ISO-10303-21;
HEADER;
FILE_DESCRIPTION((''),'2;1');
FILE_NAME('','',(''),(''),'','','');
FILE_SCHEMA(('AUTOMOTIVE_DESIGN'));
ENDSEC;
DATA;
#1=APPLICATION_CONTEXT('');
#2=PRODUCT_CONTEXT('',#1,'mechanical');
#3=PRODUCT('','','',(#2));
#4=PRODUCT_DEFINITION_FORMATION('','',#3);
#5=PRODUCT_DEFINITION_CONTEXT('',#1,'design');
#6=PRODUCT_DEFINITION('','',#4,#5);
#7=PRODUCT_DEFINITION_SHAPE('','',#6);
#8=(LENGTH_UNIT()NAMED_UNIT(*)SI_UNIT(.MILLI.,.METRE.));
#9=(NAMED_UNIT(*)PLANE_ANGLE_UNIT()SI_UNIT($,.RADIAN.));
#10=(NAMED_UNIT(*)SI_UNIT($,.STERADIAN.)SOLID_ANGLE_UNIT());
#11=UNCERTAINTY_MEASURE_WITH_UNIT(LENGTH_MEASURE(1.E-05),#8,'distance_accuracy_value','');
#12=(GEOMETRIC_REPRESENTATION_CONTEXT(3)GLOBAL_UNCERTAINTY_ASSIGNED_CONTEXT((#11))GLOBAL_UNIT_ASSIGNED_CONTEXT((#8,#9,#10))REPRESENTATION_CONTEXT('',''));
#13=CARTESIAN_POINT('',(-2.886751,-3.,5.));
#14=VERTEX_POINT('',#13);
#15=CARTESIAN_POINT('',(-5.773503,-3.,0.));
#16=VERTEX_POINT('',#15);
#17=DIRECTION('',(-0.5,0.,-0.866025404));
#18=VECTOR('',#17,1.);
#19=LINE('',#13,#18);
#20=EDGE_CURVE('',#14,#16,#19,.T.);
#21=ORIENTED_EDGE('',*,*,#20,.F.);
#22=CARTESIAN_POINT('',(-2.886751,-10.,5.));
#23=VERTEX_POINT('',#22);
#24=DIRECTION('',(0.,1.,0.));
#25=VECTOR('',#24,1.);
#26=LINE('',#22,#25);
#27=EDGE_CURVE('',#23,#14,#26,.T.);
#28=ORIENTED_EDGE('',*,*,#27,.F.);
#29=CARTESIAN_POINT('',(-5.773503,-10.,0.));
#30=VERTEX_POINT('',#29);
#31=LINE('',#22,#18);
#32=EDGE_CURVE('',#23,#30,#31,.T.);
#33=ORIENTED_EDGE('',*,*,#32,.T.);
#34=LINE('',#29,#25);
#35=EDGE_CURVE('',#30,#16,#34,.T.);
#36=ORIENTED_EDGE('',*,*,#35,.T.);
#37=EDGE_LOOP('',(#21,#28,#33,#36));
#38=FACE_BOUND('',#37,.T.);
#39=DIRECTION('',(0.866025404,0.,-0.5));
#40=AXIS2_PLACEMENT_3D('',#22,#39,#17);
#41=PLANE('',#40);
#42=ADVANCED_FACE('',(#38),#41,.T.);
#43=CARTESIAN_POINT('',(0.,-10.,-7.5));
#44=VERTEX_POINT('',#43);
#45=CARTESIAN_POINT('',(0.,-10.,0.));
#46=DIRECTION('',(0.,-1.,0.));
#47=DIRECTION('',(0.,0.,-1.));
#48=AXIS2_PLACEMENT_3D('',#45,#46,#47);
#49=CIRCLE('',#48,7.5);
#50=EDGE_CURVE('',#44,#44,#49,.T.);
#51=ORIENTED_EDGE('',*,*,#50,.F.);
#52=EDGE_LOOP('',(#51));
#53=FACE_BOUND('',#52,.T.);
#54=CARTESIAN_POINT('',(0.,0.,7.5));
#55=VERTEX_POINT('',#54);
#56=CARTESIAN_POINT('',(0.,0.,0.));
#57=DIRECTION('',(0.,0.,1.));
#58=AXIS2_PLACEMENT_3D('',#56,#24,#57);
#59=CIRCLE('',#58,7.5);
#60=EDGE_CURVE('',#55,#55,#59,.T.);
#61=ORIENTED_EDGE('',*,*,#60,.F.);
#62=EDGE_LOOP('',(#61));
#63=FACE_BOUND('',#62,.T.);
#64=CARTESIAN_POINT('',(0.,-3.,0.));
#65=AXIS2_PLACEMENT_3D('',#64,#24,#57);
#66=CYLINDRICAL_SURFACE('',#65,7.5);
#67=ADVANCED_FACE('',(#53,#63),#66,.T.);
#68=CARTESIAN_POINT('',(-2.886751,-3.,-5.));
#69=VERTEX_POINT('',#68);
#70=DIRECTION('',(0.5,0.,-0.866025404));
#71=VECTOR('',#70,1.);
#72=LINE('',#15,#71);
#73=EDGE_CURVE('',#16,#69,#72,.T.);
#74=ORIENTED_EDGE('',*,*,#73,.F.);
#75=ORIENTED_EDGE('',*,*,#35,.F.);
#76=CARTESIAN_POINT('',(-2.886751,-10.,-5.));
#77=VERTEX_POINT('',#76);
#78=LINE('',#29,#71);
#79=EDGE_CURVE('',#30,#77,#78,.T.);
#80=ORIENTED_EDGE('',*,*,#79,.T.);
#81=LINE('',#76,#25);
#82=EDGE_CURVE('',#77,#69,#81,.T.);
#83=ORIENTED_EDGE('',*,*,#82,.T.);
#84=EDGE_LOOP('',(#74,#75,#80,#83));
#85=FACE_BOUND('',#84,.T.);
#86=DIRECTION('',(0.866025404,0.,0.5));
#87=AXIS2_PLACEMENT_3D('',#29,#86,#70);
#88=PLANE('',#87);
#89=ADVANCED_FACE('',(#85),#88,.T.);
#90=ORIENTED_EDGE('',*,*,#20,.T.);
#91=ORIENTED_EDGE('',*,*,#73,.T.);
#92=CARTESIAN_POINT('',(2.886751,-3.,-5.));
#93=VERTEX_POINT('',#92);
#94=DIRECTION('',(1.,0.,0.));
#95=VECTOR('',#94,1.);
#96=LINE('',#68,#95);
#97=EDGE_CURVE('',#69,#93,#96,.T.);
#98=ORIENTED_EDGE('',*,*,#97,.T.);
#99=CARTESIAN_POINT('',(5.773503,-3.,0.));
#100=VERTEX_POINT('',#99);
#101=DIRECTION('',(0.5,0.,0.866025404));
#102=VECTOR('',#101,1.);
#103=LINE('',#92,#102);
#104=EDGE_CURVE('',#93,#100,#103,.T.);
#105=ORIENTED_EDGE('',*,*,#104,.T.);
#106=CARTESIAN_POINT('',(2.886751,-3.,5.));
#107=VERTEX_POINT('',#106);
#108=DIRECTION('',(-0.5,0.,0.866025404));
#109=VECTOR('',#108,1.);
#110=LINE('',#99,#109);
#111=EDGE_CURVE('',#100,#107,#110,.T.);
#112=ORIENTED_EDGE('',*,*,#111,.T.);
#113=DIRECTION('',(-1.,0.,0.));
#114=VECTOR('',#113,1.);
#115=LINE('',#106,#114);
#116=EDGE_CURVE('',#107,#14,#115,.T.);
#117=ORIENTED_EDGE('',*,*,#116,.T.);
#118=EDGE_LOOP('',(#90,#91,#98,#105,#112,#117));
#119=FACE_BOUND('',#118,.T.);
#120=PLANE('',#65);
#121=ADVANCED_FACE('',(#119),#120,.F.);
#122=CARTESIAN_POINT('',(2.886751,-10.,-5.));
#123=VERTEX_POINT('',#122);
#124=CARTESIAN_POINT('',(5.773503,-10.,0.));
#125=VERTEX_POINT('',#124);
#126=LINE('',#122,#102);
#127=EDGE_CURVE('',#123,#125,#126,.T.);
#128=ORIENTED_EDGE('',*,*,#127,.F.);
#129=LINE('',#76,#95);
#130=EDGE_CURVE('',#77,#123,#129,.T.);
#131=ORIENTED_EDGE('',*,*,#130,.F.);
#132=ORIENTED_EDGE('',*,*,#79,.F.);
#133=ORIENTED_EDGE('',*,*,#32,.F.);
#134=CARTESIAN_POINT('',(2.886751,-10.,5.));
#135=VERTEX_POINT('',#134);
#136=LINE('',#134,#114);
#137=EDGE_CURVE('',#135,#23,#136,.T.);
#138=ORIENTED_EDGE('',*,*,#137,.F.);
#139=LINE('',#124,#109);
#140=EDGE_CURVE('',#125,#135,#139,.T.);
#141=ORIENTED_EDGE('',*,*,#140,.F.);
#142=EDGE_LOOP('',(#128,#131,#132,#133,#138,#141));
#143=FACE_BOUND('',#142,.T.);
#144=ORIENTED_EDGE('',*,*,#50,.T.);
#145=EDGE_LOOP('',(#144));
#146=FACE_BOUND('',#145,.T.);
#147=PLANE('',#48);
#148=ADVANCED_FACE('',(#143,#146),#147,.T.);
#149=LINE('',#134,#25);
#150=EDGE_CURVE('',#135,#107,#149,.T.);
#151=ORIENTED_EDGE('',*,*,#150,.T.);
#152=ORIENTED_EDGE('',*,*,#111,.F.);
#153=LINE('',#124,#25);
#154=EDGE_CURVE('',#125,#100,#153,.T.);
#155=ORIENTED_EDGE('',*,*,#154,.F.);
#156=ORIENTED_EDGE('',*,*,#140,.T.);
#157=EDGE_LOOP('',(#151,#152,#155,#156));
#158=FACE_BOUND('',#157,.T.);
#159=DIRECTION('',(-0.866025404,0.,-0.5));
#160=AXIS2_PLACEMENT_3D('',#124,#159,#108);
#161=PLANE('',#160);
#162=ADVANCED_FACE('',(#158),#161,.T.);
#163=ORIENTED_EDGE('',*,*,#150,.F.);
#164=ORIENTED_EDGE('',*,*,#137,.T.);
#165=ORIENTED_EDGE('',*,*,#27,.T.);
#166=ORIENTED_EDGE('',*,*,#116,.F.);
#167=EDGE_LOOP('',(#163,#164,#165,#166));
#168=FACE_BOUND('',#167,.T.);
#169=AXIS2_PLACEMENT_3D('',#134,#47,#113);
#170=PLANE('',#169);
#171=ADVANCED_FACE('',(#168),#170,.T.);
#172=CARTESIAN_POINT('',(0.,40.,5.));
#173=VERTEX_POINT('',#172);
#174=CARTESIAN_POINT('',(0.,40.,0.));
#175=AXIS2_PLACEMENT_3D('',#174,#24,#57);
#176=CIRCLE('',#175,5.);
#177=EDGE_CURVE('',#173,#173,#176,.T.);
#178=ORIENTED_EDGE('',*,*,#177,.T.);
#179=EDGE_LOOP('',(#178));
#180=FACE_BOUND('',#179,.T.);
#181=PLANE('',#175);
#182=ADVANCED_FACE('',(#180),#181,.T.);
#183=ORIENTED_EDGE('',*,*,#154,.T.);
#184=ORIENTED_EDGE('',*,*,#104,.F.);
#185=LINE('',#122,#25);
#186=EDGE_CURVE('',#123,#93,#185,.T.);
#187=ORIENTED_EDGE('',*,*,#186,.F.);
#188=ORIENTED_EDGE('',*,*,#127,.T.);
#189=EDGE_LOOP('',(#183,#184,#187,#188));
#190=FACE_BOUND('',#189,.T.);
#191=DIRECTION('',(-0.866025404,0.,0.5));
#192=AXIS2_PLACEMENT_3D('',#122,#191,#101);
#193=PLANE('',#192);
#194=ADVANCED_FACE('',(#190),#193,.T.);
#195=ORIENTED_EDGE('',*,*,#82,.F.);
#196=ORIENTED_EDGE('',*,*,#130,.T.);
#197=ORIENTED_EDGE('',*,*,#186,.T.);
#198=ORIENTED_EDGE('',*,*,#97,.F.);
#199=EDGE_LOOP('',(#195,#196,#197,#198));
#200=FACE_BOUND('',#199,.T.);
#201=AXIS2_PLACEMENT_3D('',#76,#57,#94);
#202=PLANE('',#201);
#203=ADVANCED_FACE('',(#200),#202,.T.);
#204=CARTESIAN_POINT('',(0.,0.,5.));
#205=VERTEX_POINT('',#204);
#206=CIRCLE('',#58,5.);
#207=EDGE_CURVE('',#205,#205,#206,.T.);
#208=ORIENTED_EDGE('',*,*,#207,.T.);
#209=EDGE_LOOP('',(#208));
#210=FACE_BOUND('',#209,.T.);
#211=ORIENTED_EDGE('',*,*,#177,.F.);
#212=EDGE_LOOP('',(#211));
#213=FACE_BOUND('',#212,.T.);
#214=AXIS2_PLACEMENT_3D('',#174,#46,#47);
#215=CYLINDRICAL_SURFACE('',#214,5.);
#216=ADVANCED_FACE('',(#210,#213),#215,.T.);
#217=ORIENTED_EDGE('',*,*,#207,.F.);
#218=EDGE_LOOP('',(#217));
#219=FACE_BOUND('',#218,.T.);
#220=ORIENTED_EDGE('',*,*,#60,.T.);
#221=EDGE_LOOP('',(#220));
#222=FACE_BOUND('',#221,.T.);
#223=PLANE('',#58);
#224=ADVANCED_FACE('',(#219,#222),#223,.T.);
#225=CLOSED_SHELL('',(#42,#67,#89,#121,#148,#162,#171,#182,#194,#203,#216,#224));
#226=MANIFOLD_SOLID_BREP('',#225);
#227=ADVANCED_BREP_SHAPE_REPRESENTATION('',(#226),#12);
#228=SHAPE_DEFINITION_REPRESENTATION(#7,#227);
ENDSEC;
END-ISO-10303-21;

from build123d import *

# Parameters (mm, degrees)
BOSS_EXTRUDE1_DEPTH = 40
SKETCH1_3_R         = 7.5
BOSS_EXTRUDE2_DEPTH = 3
SKETCH2_R           = 7.5
BOSS_EXTRUDE3_DEPTH = 7


with BuildPart() as part:
    # Sketch1 → Boss-Extrude1 (new body)
    with BuildSketch(Plane(origin=(0, 0, 0), x_dir=(1, 0, 0), z_dir=(0, 1, 0))):
        with BuildLine():
            ThreePointArc((5, 0), (4.829629138, 1.294095202), (4.330127043, 2.499999958))
            ThreePointArc((4.330127043, 2.499999958), (2.500000021, 4.330127007), (0, 5))
            ThreePointArc((0, 5), (-2.499999995, 4.330127022), (-4.330127013, 2.500000011))
            ThreePointArc((-4.330127013, 2.500000011), (-5, 0), (-4.330127013, -2.500000011))
            ThreePointArc((-4.330127013, -2.500000011), (-2.499999995, -4.330127022), (0, -5))
            ThreePointArc((0, -5), (2.499999979, -4.330127031), (4.330126994, -2.500000043))
            ThreePointArc((4.330126994, -2.500000043), (4.829629125, -1.294095249), (5, 0))
        make_face()
    extrude(amount=BOSS_EXTRUDE1_DEPTH)

    # Sketch1<3> → Boss-Extrude2 (add)
    with BuildSketch(Plane(origin=(0, 0, 0), x_dir=(1, 0, 0), z_dir=(0, 1, 0))):
        Circle(SKETCH1_3_R)
    extrude(amount=-BOSS_EXTRUDE2_DEPTH)

    # Sketch2 → Boss-Extrude3 (add)
    with BuildSketch(Plane.XZ.offset(3)):
        Circle(SKETCH2_R)
        Polygon((5.773502692, 0), (2.886751346, 5), (-2.886751346, 5), (-5.773502692, 0), (-2.886751346, -5), (2.886751346, -5), align=None, mode=Mode.SUBTRACT)
    extrude(amount=BOSS_EXTRUDE3_DEPTH)


solid = part.part
